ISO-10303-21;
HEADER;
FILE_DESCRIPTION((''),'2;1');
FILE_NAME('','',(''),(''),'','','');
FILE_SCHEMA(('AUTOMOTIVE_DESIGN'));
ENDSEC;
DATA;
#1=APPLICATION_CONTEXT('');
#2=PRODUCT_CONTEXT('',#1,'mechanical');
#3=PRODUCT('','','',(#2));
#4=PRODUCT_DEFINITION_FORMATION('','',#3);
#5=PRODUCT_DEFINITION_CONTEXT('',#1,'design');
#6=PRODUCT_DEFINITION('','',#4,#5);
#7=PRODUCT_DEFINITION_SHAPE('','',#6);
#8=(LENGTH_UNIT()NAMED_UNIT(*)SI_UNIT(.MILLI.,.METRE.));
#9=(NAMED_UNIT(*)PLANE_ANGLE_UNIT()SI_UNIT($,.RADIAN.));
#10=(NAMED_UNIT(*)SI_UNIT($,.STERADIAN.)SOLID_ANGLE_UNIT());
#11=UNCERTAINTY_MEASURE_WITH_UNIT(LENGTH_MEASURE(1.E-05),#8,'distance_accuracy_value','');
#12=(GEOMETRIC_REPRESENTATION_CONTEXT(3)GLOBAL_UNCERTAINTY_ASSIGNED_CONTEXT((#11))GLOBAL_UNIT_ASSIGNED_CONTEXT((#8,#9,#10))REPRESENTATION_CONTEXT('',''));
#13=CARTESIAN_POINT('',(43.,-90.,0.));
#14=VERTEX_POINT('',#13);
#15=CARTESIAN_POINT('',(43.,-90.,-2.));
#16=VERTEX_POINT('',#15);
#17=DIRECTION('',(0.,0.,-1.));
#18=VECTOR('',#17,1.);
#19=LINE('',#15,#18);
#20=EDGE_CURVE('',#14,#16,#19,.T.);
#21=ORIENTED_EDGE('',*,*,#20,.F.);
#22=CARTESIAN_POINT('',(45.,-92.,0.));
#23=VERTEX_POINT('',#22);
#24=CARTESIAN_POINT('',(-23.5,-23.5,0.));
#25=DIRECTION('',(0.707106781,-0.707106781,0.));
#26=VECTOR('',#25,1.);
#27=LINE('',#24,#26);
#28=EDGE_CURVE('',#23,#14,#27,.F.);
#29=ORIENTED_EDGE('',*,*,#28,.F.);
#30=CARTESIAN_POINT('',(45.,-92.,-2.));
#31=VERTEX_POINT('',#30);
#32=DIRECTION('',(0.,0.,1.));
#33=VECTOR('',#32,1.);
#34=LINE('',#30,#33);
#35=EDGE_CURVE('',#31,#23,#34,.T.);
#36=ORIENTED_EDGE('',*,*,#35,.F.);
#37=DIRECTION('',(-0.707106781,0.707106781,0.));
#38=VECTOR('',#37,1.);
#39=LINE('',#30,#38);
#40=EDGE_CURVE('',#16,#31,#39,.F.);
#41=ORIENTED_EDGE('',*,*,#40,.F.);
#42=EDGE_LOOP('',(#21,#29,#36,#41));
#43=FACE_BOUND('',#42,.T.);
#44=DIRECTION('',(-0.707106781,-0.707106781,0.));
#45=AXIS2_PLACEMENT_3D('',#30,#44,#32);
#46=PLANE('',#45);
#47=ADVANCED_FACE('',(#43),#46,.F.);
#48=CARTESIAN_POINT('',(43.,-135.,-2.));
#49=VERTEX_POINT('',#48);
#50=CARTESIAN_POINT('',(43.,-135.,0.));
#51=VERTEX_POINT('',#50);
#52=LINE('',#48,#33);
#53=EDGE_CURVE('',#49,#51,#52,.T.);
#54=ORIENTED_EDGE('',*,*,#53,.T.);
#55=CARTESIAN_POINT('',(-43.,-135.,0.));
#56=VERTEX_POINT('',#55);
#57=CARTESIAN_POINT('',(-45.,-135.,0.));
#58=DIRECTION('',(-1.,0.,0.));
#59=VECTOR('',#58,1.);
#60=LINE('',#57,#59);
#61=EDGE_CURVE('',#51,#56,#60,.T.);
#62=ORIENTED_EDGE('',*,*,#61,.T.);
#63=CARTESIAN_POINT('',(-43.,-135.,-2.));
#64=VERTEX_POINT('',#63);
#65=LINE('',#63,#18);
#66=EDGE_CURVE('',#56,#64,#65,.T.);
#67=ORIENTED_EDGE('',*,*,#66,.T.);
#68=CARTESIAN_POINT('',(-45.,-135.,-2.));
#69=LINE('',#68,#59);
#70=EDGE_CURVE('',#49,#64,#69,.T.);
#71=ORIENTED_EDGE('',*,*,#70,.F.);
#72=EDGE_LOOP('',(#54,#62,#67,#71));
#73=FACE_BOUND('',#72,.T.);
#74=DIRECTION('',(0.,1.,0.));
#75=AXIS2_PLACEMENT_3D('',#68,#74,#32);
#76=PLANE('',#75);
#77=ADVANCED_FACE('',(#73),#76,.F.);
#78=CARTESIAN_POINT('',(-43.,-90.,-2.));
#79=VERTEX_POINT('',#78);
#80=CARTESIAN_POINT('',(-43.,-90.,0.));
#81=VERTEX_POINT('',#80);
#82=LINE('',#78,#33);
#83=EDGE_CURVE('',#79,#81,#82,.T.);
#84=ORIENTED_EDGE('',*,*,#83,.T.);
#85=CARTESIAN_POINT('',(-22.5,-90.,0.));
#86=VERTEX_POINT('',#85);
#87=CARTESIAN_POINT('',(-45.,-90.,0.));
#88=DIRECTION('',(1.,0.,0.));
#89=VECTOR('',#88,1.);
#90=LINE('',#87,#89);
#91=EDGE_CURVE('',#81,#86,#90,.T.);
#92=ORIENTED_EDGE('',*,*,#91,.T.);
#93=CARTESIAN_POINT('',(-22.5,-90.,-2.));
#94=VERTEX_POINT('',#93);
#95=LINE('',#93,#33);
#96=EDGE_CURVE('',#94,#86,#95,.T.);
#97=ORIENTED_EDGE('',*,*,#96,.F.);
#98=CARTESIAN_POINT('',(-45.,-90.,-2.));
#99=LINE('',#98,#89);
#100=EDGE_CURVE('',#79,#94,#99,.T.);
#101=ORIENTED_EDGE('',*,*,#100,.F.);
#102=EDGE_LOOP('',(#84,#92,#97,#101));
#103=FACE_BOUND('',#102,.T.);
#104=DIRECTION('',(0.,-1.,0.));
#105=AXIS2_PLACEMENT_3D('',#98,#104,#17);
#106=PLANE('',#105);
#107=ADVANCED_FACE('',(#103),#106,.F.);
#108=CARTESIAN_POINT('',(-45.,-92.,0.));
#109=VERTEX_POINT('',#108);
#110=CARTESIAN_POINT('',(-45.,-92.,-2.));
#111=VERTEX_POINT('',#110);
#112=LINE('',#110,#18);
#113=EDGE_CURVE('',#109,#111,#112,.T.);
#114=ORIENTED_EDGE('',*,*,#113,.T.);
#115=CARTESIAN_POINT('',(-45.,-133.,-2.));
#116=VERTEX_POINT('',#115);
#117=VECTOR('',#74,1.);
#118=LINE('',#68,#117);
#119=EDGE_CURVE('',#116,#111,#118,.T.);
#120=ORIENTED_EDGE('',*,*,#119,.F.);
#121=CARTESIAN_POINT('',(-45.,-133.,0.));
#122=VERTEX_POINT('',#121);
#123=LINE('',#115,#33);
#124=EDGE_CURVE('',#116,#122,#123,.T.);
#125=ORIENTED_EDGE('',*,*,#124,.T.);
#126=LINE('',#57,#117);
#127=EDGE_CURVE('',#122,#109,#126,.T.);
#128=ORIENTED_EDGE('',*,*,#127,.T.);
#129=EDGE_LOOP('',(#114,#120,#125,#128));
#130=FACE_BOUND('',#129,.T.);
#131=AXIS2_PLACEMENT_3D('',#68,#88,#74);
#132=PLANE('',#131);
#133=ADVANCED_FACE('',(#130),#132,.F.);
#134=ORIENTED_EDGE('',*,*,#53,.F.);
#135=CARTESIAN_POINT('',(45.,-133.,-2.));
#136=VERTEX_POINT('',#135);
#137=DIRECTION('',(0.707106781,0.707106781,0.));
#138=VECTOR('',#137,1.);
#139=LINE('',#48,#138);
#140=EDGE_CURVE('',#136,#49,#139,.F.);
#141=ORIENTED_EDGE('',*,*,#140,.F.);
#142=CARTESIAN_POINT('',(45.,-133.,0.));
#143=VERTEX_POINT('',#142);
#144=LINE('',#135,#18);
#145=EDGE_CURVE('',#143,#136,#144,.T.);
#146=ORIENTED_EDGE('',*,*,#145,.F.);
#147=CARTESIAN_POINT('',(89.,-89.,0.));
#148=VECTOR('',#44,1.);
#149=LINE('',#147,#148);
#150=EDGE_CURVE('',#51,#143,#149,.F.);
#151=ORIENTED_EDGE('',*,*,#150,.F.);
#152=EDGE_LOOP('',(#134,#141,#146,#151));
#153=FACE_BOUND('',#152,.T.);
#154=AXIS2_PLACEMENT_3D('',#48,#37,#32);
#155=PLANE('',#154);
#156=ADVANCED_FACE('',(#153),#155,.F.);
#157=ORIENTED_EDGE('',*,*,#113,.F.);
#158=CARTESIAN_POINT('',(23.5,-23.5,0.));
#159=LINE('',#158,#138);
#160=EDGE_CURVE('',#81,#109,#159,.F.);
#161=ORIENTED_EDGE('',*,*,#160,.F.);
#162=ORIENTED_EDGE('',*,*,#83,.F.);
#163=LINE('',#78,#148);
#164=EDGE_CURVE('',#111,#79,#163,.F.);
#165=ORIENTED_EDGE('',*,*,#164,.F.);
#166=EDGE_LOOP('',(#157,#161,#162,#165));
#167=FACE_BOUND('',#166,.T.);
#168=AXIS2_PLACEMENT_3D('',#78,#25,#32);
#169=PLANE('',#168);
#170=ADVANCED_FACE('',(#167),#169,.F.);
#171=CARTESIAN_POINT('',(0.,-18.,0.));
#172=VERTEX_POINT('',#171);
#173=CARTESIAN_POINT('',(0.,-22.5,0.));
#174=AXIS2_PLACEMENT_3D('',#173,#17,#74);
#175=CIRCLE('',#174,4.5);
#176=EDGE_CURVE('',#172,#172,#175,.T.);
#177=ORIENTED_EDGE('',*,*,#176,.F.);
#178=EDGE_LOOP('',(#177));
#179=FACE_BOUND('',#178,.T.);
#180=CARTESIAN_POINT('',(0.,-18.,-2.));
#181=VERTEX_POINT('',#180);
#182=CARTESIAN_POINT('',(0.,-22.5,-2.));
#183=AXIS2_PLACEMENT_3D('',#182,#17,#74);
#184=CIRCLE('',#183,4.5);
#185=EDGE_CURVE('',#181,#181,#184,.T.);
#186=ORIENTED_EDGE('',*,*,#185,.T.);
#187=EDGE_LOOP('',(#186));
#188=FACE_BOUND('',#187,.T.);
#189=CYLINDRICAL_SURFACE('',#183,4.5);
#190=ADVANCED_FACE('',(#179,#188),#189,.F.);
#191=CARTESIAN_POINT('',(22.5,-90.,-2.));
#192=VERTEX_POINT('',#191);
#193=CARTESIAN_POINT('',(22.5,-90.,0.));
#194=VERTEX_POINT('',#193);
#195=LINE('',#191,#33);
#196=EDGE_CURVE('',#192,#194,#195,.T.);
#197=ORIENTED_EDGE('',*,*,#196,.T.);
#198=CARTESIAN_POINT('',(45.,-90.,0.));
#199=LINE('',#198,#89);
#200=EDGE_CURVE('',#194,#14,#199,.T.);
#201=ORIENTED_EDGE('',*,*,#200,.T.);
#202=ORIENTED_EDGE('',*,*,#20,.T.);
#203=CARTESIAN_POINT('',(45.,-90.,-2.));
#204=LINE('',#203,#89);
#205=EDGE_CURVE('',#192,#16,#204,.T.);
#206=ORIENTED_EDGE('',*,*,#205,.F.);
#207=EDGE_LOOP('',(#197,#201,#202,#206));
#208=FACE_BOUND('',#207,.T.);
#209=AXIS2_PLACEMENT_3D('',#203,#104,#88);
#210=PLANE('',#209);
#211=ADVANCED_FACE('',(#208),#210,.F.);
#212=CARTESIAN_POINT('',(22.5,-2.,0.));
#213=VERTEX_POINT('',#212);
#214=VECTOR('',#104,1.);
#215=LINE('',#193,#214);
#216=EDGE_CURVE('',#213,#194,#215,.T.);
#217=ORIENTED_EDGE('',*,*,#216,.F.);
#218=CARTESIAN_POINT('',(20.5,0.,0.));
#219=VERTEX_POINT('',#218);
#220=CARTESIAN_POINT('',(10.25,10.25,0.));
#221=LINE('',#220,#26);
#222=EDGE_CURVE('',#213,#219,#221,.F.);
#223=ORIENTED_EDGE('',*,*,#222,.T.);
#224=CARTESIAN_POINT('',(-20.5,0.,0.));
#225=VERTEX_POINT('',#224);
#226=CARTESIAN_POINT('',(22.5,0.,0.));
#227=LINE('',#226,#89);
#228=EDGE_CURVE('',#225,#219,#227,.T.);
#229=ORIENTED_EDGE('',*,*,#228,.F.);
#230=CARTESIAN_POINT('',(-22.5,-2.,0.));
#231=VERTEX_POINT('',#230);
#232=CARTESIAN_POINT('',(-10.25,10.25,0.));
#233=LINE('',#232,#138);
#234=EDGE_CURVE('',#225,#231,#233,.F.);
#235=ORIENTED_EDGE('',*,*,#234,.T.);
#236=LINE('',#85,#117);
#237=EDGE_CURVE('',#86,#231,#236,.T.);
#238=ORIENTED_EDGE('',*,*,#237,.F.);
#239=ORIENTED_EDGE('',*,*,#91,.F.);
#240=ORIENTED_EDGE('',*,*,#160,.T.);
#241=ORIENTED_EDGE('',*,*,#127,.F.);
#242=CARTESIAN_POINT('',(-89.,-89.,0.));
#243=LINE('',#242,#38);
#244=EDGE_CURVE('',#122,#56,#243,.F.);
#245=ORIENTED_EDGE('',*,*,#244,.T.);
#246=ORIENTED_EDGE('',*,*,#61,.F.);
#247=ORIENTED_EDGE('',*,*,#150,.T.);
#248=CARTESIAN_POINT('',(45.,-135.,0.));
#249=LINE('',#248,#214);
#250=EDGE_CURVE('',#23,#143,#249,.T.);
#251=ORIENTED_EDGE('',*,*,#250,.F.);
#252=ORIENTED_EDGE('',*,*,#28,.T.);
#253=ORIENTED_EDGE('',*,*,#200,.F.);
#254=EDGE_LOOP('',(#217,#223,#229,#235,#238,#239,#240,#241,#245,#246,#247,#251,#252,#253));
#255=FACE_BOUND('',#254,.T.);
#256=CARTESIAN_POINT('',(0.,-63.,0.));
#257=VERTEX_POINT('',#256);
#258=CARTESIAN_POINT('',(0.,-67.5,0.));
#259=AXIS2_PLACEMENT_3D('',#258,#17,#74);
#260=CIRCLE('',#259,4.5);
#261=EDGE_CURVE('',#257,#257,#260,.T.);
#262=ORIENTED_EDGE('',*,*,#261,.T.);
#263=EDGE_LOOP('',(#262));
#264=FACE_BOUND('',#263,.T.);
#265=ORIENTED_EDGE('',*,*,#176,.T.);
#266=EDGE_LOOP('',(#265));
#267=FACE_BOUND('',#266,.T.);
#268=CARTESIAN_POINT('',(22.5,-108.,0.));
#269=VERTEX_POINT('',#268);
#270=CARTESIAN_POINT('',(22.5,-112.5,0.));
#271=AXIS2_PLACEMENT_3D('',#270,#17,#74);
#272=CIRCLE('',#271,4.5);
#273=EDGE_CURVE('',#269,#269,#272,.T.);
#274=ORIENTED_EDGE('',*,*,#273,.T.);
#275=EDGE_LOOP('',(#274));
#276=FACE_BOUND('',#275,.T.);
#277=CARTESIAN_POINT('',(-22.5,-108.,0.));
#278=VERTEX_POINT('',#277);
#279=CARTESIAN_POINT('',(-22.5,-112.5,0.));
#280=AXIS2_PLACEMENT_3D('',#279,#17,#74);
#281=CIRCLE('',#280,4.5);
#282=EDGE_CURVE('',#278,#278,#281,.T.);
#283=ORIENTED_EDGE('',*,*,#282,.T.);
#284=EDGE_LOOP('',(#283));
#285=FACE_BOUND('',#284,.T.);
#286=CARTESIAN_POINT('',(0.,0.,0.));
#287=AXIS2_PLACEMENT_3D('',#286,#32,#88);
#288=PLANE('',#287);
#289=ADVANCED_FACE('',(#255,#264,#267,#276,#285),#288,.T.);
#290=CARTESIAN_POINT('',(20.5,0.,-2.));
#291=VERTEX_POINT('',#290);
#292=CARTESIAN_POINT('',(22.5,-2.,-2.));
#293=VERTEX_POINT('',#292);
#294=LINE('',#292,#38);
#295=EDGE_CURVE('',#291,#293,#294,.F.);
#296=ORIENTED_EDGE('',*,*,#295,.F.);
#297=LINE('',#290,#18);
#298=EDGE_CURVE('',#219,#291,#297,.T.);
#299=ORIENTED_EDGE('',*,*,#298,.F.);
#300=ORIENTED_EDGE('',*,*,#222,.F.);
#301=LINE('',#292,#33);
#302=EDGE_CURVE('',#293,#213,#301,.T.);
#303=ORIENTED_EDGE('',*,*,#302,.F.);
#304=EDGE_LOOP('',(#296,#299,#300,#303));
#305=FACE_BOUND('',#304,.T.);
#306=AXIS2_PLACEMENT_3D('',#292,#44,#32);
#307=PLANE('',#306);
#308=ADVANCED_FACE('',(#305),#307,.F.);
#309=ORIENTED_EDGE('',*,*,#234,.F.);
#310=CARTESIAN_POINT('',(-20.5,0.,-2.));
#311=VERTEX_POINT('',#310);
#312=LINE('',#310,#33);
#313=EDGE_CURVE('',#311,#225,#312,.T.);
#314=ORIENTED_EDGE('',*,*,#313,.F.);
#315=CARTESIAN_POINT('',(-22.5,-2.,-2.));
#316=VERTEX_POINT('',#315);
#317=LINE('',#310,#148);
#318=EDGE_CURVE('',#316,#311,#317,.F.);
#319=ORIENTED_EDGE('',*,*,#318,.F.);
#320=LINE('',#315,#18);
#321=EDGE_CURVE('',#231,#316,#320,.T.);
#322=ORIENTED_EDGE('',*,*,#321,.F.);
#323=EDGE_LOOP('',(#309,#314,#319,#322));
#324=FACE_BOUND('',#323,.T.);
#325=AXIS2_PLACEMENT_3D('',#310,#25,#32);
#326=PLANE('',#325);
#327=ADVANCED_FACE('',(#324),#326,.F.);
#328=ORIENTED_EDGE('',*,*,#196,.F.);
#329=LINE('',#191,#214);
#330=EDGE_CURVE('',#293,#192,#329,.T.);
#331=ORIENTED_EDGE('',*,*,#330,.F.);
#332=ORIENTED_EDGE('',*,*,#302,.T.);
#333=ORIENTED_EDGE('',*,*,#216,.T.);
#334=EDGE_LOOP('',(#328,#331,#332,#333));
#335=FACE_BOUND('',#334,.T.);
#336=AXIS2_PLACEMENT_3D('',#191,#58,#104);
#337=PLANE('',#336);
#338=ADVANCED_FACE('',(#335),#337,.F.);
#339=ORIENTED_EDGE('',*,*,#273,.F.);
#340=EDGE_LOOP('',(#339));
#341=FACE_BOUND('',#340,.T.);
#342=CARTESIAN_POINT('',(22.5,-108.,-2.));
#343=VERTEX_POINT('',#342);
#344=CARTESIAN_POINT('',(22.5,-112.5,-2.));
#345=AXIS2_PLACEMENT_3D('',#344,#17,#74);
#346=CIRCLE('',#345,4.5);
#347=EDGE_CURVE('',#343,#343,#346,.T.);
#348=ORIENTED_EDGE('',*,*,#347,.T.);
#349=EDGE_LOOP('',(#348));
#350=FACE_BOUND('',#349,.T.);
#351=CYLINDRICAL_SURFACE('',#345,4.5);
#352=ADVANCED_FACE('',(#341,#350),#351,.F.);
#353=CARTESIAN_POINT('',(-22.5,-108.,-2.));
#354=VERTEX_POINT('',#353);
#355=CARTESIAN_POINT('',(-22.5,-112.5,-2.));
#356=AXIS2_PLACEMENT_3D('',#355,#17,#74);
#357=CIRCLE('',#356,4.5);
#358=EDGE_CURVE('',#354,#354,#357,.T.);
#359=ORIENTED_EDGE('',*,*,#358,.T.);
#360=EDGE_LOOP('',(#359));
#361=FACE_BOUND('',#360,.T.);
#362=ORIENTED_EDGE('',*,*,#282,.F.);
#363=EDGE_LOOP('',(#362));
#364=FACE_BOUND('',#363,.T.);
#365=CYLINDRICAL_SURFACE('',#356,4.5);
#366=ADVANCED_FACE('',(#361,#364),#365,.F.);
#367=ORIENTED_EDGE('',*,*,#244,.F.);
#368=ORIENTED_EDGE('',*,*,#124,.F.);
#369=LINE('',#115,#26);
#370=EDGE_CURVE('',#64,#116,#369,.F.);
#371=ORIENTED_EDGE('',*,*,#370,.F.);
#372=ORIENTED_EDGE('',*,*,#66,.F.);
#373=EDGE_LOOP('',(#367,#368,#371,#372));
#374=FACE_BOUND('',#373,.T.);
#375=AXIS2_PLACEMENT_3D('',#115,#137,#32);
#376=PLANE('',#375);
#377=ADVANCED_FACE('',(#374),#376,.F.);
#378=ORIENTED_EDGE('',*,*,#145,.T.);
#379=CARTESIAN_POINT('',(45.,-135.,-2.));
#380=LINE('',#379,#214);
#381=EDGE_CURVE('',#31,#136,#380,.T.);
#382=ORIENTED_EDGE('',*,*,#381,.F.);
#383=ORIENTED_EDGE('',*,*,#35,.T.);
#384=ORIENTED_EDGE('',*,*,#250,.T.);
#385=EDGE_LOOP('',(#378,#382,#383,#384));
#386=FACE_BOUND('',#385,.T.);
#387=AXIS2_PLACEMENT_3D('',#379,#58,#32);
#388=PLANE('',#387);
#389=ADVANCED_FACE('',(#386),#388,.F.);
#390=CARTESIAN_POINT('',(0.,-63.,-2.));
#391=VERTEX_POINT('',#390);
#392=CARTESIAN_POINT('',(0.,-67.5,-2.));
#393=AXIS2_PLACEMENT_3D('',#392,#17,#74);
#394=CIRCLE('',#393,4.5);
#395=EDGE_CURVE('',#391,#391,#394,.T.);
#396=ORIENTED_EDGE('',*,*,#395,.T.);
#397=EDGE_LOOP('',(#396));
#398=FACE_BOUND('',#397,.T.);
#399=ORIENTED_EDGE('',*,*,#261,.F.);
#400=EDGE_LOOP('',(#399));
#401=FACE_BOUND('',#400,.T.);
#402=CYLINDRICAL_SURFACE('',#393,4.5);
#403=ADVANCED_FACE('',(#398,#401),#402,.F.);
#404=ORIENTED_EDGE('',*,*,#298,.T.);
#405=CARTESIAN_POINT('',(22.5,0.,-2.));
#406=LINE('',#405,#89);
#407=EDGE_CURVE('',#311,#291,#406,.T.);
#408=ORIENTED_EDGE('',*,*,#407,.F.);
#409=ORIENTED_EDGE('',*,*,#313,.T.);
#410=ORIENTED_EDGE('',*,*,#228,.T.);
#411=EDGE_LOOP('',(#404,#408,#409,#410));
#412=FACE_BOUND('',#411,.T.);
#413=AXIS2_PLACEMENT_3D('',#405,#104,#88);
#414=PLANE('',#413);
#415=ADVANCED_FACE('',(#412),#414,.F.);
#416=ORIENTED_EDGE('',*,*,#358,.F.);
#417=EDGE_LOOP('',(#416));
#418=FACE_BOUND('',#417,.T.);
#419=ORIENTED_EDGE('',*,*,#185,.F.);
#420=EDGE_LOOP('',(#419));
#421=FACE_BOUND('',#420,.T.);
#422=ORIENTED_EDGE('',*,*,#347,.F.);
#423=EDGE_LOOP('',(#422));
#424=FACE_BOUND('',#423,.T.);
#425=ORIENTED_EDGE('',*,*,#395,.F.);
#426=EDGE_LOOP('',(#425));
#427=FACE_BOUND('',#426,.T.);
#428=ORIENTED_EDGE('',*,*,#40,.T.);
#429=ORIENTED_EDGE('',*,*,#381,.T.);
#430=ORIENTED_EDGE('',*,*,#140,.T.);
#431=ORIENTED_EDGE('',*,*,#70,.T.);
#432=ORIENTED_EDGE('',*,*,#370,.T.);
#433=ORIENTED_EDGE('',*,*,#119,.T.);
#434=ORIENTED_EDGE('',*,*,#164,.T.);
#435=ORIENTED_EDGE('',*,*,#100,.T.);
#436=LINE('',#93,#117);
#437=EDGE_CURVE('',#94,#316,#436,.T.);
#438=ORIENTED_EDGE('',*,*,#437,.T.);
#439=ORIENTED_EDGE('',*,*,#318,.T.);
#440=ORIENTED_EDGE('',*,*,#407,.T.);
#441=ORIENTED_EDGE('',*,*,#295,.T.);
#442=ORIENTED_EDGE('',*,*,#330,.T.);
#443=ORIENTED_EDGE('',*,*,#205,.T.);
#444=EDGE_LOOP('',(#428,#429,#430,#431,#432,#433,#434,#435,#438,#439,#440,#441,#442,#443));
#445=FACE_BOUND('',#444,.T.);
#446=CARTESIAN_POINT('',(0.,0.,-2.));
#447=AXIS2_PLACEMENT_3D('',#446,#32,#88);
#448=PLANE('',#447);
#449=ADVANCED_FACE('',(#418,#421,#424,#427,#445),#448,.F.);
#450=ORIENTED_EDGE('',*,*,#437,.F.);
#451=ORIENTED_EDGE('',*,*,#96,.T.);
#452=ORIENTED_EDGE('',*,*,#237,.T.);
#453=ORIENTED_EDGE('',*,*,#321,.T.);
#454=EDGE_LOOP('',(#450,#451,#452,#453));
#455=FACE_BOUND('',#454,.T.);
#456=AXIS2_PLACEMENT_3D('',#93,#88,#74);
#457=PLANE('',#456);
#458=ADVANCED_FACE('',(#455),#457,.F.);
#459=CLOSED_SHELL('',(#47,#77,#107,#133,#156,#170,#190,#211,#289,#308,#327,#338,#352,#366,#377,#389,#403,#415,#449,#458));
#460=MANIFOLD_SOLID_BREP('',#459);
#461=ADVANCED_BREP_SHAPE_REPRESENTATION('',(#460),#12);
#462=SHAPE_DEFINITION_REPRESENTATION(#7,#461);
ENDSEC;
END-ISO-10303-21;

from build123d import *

# Parameters (mm, degrees)
EXTRUDE_1_DEPTH   = 2
HOLE_WIZARD_M81_D = 9
CHAMFER_1_SIZE    = 2


with BuildPart() as part:
    # Эскиз1 → Бобышка-Вытянуть1 (new body)
    with BuildSketch(Plane(origin=(0, 0, 0), x_dir=(1, 0, 0), z_dir=(0, 0, -1))):
        Polygon((-45, 135), (45, 135), (45, 90), (22.5, 90), (22.5, 0), (-22.5, 0), (-22.5, 90), (-45, 90), align=None)
    extrude(amount=EXTRUDE_1_DEPTH)

    # Отверстие с зазором M81 (through all)
    with Locations(Plane(origin=(0, 0, -2), x_dir=(1, 0, 0), z_dir=(0, 0, -1))):
        with Locations((0, 22.5), (-22.5, 112.5), (22.5, 112.5), (0, 67.5)):
            Hole(HOLE_WIZARD_M81_D / 2)

    # Фаска1
    chamfer_1_edges = [part.edges().sort_by_distance(p)[0] for p in [
        (-45, -90, -1),
        (-45, -135, -1),
        (45, -135, -1),
        (45, -90, -1),
        (22.5, 0, -1),
        (-22.5, 0, -1),
    ]]
    chamfer(chamfer_1_edges, length=CHAMFER_1_SIZE)


solid = part.part
